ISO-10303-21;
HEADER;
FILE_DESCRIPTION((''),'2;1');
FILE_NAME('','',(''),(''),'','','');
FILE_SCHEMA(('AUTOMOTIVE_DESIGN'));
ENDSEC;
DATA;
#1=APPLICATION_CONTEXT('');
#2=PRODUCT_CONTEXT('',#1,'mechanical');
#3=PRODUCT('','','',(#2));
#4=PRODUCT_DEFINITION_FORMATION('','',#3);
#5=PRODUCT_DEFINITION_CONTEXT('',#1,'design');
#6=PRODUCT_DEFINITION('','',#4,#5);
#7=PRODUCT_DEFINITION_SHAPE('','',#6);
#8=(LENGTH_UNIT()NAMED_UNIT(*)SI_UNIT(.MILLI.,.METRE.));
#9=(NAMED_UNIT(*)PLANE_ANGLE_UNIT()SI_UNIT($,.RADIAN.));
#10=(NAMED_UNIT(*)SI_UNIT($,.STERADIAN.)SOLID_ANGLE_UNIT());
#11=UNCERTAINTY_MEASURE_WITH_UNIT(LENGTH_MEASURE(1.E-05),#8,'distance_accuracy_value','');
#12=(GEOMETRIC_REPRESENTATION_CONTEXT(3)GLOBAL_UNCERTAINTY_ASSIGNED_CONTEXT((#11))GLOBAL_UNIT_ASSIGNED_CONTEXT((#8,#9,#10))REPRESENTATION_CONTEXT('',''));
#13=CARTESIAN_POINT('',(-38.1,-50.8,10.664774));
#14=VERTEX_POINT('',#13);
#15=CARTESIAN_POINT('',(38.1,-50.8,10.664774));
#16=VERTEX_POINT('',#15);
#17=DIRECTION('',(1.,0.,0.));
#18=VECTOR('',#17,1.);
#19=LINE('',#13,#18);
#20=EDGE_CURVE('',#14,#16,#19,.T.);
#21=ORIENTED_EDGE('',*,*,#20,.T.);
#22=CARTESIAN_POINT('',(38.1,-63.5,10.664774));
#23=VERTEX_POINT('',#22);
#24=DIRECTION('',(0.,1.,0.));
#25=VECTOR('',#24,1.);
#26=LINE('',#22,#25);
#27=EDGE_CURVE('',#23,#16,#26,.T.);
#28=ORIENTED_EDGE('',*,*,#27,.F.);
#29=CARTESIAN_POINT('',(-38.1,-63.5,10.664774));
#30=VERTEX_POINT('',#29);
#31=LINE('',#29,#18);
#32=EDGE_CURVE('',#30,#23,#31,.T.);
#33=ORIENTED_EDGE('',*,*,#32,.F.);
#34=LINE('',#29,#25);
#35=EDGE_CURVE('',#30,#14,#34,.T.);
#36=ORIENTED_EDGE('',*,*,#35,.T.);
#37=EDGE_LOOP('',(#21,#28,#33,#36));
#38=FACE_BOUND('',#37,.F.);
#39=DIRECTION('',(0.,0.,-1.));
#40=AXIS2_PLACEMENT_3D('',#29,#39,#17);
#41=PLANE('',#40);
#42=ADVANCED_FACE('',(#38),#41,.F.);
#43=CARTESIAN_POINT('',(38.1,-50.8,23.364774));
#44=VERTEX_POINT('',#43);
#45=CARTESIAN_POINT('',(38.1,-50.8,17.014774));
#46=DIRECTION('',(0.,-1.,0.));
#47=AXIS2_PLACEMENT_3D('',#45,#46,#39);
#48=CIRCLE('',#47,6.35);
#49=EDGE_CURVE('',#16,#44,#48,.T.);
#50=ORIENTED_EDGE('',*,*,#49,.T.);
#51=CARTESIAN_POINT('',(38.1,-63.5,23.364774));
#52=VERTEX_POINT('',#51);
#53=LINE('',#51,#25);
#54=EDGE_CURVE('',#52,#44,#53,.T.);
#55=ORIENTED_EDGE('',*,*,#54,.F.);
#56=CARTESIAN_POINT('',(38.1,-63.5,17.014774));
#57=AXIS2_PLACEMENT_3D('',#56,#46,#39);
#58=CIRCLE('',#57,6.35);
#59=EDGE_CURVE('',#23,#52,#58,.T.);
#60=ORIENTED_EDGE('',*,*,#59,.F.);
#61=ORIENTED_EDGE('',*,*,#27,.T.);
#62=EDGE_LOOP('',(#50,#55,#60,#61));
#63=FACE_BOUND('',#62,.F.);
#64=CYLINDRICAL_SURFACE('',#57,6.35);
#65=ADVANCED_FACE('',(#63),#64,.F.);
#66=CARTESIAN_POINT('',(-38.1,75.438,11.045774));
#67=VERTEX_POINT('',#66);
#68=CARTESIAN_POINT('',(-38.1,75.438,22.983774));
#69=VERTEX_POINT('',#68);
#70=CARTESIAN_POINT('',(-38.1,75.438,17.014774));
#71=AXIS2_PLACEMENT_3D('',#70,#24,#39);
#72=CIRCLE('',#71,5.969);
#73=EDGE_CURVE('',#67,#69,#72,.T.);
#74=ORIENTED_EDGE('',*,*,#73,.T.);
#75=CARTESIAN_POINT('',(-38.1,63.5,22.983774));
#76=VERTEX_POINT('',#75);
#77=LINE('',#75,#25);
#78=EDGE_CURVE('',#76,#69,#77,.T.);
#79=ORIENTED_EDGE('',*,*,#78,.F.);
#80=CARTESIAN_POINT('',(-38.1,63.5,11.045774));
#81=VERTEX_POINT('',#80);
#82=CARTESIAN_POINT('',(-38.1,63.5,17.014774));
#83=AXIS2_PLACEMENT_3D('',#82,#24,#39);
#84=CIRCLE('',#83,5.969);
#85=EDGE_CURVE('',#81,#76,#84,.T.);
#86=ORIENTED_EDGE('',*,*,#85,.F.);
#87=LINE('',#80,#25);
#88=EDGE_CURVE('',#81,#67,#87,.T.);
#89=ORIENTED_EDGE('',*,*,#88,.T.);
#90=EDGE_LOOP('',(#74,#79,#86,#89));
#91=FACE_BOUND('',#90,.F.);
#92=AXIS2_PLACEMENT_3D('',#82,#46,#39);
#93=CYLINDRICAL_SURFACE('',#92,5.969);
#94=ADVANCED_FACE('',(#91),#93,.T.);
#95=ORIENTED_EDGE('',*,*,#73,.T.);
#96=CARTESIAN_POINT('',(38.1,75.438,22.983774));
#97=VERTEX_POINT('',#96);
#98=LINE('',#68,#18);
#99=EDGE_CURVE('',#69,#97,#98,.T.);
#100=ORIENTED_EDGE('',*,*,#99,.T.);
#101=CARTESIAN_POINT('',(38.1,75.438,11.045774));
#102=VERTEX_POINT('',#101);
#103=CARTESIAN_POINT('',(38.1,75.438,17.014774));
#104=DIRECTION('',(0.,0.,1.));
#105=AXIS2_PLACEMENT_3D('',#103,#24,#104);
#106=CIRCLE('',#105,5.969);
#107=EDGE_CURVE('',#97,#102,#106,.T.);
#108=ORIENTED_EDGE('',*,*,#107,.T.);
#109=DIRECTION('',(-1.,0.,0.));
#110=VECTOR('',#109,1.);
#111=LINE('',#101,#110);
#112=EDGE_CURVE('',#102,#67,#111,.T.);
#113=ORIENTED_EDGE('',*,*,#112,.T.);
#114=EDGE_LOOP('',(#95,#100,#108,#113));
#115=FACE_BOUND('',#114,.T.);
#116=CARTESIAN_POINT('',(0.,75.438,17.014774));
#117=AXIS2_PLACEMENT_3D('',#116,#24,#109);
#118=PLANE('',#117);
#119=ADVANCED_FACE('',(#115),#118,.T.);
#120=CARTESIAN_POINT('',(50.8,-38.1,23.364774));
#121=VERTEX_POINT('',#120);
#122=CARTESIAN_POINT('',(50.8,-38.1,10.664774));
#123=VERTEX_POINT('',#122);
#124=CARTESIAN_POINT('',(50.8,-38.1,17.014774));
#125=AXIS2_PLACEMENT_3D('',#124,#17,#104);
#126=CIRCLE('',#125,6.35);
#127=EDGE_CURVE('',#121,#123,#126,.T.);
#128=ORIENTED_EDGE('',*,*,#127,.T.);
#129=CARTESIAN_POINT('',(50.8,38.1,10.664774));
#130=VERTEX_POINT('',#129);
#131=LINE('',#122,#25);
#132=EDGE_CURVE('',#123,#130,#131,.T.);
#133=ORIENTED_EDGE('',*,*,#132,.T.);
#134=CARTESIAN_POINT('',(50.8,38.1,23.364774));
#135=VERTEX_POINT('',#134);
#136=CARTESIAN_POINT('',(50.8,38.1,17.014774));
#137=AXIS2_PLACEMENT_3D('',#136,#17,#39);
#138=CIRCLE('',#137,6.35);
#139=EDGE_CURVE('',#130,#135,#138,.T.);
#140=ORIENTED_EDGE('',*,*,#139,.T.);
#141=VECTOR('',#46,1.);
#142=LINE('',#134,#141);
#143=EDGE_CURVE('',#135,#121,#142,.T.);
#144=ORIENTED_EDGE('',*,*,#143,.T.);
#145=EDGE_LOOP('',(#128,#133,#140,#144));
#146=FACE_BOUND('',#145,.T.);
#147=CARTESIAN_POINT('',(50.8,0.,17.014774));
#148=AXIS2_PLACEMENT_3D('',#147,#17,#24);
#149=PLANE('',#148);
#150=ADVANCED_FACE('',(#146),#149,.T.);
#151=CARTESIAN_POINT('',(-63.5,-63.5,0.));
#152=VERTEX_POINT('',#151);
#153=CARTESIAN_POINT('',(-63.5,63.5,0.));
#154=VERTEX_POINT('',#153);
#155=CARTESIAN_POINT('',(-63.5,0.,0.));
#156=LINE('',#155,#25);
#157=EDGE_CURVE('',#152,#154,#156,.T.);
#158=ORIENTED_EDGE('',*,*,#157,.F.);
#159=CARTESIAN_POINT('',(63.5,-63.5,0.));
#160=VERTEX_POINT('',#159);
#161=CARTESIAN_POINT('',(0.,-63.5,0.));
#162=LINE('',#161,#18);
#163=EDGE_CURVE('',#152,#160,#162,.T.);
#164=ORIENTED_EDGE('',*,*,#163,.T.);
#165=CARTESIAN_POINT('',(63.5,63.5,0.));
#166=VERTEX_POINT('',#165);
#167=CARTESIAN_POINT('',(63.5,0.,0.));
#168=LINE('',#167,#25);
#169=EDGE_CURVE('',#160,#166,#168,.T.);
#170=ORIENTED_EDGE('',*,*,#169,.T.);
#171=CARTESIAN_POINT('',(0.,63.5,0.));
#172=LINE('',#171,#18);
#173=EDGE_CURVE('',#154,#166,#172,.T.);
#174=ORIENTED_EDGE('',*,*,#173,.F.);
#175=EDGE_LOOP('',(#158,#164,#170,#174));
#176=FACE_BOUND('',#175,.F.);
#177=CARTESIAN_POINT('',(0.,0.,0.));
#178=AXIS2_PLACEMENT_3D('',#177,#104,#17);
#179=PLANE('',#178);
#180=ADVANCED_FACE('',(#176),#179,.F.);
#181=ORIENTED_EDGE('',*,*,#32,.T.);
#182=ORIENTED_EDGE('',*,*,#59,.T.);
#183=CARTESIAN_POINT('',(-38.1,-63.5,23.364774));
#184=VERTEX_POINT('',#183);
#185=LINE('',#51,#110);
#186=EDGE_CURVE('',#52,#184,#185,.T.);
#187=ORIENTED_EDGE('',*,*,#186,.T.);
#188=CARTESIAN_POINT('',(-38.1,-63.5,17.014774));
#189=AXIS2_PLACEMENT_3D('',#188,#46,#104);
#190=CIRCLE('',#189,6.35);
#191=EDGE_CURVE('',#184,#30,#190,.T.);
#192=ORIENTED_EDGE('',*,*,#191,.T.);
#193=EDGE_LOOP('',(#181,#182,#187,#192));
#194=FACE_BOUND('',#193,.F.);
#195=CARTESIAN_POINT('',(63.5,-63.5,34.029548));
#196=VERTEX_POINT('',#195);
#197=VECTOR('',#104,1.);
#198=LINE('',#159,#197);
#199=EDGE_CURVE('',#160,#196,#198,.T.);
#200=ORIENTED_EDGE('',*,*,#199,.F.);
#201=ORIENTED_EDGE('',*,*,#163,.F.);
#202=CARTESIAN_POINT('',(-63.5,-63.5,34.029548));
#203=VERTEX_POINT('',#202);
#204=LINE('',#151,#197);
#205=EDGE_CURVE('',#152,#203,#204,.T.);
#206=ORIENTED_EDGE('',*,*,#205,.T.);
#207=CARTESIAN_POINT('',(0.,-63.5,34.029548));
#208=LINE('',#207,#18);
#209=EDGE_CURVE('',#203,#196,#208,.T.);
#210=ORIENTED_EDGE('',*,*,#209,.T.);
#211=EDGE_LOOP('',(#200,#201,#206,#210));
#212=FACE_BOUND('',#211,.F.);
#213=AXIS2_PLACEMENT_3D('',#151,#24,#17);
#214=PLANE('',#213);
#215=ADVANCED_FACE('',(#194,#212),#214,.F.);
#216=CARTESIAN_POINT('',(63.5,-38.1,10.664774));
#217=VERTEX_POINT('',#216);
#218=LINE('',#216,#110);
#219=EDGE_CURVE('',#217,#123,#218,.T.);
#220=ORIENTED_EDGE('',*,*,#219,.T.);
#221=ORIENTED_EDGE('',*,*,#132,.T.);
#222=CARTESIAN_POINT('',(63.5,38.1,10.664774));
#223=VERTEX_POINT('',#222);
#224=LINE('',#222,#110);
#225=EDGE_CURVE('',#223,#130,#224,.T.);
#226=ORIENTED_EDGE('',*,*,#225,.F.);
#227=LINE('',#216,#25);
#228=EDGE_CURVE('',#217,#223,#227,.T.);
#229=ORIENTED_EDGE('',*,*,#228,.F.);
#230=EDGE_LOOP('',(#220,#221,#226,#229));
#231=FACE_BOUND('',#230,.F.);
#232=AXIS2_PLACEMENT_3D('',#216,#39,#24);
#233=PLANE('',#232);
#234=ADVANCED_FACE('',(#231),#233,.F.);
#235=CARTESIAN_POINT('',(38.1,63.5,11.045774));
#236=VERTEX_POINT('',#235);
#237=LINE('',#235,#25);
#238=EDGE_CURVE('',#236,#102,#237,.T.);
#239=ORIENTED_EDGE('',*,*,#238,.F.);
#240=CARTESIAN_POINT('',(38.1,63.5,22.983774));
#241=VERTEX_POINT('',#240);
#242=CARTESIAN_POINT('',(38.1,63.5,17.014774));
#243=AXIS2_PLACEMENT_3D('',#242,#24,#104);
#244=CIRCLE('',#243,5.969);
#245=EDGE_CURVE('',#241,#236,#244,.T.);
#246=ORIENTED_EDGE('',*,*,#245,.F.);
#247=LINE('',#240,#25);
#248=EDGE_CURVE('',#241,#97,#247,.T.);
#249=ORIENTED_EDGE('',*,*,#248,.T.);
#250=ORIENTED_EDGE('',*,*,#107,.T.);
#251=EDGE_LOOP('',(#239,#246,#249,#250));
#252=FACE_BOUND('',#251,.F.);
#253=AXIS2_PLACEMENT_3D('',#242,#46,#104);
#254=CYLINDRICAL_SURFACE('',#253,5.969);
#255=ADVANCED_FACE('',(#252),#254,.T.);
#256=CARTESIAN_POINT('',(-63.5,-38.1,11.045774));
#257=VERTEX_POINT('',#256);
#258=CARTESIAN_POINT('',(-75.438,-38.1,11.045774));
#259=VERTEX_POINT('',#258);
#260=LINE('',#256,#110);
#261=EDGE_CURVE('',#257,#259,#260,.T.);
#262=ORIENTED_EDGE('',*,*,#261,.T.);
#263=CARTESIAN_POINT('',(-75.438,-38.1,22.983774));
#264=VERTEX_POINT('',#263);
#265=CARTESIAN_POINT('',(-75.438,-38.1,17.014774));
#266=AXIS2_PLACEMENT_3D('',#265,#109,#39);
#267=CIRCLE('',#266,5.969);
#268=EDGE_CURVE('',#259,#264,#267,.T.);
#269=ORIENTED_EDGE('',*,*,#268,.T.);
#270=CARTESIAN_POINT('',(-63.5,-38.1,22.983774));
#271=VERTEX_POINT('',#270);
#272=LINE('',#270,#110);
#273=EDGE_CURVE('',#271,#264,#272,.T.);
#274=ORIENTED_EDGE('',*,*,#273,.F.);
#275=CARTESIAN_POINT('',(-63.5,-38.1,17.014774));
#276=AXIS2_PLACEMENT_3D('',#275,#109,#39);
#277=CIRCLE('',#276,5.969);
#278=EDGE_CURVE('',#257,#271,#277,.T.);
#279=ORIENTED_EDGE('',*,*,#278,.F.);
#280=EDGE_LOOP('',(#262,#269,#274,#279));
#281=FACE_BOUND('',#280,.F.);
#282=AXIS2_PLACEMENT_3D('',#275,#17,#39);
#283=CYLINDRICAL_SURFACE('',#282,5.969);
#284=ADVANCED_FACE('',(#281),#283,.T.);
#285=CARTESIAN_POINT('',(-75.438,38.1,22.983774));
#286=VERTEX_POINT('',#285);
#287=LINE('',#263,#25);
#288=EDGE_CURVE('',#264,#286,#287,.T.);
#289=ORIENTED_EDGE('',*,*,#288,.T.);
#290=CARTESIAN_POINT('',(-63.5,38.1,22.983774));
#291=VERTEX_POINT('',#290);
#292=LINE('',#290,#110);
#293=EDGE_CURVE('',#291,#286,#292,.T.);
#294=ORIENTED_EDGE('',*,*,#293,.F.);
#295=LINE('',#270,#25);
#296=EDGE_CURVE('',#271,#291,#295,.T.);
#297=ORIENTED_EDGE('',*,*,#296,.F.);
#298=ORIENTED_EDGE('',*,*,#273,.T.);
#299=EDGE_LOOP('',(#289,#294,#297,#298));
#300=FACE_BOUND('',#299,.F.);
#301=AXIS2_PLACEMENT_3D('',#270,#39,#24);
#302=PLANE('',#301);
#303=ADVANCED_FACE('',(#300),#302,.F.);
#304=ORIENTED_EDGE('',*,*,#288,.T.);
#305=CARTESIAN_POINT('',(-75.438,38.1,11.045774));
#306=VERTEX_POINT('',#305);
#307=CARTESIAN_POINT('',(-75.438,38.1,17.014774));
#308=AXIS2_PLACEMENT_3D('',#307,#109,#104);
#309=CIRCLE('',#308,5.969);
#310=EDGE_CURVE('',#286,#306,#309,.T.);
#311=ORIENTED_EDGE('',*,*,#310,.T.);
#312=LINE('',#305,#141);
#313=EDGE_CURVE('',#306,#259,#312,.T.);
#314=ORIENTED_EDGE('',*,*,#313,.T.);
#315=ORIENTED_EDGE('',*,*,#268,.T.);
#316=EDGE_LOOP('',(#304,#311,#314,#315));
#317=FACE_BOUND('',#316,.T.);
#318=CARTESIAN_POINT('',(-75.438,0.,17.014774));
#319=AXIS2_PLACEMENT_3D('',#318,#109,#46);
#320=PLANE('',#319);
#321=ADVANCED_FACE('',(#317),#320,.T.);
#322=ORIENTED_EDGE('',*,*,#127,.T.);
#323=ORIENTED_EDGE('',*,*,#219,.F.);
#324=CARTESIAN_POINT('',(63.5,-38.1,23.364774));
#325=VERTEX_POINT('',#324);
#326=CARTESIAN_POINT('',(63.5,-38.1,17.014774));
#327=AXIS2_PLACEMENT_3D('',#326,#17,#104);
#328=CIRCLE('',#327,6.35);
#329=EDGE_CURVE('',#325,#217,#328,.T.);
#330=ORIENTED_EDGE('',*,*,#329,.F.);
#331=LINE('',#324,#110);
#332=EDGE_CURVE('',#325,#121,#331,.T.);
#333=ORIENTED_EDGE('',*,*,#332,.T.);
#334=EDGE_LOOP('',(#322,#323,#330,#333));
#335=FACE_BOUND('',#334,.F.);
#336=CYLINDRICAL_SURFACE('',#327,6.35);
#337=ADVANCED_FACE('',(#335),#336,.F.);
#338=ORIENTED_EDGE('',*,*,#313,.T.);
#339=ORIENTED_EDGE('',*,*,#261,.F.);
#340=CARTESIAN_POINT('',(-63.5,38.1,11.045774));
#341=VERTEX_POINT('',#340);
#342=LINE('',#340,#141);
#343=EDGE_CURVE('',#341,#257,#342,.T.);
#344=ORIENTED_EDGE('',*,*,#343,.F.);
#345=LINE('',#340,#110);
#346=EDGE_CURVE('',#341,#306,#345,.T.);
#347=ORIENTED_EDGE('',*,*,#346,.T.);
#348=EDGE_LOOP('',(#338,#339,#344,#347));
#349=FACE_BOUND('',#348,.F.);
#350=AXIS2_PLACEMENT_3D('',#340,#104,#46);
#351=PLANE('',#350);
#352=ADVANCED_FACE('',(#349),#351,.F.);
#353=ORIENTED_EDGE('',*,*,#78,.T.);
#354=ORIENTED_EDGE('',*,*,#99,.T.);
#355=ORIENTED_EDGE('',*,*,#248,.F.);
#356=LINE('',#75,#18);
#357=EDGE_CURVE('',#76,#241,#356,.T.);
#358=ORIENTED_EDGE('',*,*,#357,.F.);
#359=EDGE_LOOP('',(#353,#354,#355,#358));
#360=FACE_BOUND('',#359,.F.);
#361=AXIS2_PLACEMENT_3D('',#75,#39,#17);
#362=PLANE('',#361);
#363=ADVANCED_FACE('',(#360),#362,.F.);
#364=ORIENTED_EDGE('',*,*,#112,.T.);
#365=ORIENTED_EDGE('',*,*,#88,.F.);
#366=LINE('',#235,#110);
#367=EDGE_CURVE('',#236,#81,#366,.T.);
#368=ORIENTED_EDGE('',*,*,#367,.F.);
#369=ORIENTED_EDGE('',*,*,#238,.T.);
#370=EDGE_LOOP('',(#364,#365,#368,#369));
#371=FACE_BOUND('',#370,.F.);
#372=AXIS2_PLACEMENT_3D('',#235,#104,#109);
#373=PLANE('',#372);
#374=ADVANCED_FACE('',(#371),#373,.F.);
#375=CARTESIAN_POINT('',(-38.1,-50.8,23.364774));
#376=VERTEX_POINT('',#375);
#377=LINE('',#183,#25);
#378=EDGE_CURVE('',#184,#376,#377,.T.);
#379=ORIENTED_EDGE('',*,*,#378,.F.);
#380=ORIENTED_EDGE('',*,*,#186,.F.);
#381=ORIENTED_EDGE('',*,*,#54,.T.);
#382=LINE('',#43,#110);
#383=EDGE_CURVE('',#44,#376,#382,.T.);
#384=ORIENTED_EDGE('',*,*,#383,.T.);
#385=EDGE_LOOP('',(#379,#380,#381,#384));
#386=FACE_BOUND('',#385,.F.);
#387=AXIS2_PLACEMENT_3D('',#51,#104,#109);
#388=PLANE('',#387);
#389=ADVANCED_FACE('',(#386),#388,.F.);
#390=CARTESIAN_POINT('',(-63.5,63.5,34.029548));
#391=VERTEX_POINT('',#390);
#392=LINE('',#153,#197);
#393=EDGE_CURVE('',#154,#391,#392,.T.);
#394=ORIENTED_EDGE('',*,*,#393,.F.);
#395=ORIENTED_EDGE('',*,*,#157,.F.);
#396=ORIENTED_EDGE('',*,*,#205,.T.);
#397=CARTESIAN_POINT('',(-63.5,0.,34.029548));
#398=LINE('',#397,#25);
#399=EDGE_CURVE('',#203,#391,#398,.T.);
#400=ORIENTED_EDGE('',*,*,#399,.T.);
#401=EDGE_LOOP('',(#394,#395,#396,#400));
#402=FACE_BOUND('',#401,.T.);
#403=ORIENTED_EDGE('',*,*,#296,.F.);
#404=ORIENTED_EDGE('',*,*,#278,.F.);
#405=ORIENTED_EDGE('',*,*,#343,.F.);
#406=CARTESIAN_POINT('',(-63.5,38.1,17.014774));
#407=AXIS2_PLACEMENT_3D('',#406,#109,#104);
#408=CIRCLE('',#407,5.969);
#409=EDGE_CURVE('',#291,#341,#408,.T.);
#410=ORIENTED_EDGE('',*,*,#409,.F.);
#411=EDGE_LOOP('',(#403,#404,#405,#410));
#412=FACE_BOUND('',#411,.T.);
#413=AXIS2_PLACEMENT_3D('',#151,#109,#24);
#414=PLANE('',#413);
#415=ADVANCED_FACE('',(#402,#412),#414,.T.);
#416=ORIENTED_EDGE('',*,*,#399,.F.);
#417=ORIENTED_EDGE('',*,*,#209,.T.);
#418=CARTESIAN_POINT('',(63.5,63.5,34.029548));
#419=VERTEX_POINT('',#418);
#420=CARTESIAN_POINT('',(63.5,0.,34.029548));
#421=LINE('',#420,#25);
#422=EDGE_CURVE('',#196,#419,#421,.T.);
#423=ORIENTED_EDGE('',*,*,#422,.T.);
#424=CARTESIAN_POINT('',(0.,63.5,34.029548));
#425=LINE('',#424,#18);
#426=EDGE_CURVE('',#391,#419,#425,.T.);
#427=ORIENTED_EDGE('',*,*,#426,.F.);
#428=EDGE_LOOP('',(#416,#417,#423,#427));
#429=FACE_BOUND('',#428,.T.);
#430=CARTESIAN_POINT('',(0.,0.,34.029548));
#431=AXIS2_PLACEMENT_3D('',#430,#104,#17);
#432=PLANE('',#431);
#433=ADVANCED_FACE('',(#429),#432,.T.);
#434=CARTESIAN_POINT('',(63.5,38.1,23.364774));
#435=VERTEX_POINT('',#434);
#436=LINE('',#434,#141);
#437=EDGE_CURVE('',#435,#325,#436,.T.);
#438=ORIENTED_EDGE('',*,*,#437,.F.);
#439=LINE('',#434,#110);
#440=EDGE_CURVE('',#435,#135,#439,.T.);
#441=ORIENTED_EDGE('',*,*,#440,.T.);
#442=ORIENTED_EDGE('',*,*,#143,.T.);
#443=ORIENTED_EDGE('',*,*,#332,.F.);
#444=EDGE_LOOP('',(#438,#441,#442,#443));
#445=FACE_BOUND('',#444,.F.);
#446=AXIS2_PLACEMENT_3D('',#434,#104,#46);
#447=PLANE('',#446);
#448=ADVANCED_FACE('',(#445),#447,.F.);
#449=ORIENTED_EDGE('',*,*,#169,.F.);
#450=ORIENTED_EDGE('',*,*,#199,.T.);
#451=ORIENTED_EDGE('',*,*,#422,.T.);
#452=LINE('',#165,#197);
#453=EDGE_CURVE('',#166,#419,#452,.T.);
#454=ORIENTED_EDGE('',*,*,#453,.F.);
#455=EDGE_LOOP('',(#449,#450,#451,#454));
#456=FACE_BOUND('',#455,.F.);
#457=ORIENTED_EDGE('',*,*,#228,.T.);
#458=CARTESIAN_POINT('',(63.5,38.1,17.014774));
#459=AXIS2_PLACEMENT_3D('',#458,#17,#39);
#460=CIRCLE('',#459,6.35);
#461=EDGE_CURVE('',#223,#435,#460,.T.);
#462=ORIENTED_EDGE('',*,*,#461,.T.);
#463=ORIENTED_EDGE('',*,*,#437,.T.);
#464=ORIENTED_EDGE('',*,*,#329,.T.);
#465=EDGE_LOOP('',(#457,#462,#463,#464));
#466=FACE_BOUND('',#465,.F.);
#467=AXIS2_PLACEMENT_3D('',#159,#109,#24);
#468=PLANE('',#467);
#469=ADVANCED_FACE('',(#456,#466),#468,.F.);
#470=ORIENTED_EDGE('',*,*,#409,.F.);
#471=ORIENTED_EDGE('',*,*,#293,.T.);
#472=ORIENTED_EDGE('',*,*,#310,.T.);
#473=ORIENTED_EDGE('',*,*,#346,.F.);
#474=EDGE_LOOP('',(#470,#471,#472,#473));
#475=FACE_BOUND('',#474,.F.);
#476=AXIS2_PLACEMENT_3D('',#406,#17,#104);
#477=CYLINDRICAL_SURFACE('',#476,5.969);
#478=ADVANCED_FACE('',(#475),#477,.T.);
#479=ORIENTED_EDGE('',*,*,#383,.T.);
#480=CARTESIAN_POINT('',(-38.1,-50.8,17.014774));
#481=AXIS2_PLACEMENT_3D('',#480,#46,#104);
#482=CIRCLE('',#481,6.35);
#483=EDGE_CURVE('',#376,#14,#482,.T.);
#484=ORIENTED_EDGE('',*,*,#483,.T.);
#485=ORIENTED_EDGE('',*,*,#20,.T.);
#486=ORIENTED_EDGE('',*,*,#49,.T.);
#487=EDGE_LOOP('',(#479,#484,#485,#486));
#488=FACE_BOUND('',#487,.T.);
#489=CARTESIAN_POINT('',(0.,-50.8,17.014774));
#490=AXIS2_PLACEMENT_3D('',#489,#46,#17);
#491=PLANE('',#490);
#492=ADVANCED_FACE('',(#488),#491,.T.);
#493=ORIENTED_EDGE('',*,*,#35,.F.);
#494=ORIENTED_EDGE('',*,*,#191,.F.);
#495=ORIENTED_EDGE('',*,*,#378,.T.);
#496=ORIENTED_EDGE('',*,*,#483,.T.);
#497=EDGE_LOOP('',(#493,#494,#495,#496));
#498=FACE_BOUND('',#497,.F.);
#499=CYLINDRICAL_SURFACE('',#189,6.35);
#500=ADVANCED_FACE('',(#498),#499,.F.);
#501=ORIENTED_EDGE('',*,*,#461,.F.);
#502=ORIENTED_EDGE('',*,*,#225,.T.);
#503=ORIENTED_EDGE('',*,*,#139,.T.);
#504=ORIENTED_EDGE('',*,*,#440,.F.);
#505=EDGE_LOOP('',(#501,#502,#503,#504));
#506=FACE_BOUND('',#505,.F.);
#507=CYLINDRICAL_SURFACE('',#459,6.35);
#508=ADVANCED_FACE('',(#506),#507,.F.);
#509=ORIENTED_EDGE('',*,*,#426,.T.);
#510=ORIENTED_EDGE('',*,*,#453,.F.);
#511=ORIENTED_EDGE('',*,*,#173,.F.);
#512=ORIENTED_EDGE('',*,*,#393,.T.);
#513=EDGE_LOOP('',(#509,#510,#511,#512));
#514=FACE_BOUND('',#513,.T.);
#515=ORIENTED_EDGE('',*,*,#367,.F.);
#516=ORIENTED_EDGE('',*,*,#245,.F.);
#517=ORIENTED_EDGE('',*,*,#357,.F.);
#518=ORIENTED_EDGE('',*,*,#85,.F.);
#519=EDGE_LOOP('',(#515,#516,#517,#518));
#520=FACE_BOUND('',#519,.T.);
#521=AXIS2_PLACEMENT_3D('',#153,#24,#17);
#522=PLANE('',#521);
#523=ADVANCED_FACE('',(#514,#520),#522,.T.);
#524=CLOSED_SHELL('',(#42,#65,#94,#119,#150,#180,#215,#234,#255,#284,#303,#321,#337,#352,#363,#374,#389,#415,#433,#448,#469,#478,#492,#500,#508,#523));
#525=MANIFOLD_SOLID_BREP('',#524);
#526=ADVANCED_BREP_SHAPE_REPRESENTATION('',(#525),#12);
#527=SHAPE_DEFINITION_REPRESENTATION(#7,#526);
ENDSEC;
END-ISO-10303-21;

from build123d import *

# Parameters (mm, degrees)
F0_W     = 127
F0_H     = 127
F1_DEPTH = 34.029548
F3_DEPTH = 11.938
F6_DEPTH = 12.7
F7_DEPTH = 12.7
F9_DEPTH = 11.938


with BuildPart() as f1:
    # F0 (on Top) → F1 (new body)
    with BuildSketch(Plane.XY):
        Rectangle(F0_W, F0_H)
    extrude(amount=F1_DEPTH)

    # F2 (on face) → F3 (join)
    with BuildSketch(Plane(origin=(0, 63.5, 0), x_dir=(-1, 0, 0), z_dir=(0, 1, 0))):
        with BuildLine():
            ThreePointArc((-38.1, 22.983774), (-44.069, 17.014774), (-38.1, 11.045774))
            Line((-38.1, 11.045774), (38.1, 11.045774))
            ThreePointArc((38.1, 11.045774), (44.069, 17.014774), (38.1, 22.983774))
            Line((38.1, 22.983774), (-38.1, 22.983774))
        make_face()
    extrude(amount=F3_DEPTH)

    # F4 (on face) → F6 (cut)
    with BuildSketch(Plane.XZ.offset(63.5)):
        with BuildLine():
            ThreePointArc((-38.1, 23.364774), (-44.45, 17.014774), (-38.1, 10.664774))
            Line((-38.1, 10.664774), (38.1, 10.664774))
            ThreePointArc((38.1, 10.664774), (44.45, 17.014774), (38.1, 23.364774))
            Line((38.1, 23.364774), (-38.1, 23.364774))
        make_face()
    extrude(amount=-F6_DEPTH, mode=Mode.SUBTRACT)

    # F5 (on face) → F7 (cut)
    with BuildSketch(Plane.YZ.offset(63.5)):
        with BuildLine():
            ThreePointArc((-38.1, 23.364774), (-44.45, 17.014774), (-38.1, 10.664774))
            Line((-38.1, 10.664774), (38.1, 10.664774))
            ThreePointArc((38.1, 10.664774), (44.45, 17.014774), (38.1, 23.364774))
            Line((38.1, 23.364774), (-38.1, 23.364774))
        make_face()
    extrude(amount=-F7_DEPTH, mode=Mode.SUBTRACT)

    # F8 (on face) → F9 (join)
    with BuildSketch(Plane(origin=(-63.5, 0, 0), x_dir=(0, -1, 0), z_dir=(-1, 0, 0))):
        with BuildLine():
            ThreePointArc((-38.1, 22.983774), (-44.069, 17.014774), (-38.1, 11.045774))
            Line((-38.1, 11.045774), (38.1, 11.045774))
            ThreePointArc((38.1, 11.045774), (44.069, 17.014774), (38.1, 22.983774))
            Line((38.1, 22.983774), (-38.1, 22.983774))
        make_face()
    extrude(amount=F9_DEPTH)


solid = f1.part
